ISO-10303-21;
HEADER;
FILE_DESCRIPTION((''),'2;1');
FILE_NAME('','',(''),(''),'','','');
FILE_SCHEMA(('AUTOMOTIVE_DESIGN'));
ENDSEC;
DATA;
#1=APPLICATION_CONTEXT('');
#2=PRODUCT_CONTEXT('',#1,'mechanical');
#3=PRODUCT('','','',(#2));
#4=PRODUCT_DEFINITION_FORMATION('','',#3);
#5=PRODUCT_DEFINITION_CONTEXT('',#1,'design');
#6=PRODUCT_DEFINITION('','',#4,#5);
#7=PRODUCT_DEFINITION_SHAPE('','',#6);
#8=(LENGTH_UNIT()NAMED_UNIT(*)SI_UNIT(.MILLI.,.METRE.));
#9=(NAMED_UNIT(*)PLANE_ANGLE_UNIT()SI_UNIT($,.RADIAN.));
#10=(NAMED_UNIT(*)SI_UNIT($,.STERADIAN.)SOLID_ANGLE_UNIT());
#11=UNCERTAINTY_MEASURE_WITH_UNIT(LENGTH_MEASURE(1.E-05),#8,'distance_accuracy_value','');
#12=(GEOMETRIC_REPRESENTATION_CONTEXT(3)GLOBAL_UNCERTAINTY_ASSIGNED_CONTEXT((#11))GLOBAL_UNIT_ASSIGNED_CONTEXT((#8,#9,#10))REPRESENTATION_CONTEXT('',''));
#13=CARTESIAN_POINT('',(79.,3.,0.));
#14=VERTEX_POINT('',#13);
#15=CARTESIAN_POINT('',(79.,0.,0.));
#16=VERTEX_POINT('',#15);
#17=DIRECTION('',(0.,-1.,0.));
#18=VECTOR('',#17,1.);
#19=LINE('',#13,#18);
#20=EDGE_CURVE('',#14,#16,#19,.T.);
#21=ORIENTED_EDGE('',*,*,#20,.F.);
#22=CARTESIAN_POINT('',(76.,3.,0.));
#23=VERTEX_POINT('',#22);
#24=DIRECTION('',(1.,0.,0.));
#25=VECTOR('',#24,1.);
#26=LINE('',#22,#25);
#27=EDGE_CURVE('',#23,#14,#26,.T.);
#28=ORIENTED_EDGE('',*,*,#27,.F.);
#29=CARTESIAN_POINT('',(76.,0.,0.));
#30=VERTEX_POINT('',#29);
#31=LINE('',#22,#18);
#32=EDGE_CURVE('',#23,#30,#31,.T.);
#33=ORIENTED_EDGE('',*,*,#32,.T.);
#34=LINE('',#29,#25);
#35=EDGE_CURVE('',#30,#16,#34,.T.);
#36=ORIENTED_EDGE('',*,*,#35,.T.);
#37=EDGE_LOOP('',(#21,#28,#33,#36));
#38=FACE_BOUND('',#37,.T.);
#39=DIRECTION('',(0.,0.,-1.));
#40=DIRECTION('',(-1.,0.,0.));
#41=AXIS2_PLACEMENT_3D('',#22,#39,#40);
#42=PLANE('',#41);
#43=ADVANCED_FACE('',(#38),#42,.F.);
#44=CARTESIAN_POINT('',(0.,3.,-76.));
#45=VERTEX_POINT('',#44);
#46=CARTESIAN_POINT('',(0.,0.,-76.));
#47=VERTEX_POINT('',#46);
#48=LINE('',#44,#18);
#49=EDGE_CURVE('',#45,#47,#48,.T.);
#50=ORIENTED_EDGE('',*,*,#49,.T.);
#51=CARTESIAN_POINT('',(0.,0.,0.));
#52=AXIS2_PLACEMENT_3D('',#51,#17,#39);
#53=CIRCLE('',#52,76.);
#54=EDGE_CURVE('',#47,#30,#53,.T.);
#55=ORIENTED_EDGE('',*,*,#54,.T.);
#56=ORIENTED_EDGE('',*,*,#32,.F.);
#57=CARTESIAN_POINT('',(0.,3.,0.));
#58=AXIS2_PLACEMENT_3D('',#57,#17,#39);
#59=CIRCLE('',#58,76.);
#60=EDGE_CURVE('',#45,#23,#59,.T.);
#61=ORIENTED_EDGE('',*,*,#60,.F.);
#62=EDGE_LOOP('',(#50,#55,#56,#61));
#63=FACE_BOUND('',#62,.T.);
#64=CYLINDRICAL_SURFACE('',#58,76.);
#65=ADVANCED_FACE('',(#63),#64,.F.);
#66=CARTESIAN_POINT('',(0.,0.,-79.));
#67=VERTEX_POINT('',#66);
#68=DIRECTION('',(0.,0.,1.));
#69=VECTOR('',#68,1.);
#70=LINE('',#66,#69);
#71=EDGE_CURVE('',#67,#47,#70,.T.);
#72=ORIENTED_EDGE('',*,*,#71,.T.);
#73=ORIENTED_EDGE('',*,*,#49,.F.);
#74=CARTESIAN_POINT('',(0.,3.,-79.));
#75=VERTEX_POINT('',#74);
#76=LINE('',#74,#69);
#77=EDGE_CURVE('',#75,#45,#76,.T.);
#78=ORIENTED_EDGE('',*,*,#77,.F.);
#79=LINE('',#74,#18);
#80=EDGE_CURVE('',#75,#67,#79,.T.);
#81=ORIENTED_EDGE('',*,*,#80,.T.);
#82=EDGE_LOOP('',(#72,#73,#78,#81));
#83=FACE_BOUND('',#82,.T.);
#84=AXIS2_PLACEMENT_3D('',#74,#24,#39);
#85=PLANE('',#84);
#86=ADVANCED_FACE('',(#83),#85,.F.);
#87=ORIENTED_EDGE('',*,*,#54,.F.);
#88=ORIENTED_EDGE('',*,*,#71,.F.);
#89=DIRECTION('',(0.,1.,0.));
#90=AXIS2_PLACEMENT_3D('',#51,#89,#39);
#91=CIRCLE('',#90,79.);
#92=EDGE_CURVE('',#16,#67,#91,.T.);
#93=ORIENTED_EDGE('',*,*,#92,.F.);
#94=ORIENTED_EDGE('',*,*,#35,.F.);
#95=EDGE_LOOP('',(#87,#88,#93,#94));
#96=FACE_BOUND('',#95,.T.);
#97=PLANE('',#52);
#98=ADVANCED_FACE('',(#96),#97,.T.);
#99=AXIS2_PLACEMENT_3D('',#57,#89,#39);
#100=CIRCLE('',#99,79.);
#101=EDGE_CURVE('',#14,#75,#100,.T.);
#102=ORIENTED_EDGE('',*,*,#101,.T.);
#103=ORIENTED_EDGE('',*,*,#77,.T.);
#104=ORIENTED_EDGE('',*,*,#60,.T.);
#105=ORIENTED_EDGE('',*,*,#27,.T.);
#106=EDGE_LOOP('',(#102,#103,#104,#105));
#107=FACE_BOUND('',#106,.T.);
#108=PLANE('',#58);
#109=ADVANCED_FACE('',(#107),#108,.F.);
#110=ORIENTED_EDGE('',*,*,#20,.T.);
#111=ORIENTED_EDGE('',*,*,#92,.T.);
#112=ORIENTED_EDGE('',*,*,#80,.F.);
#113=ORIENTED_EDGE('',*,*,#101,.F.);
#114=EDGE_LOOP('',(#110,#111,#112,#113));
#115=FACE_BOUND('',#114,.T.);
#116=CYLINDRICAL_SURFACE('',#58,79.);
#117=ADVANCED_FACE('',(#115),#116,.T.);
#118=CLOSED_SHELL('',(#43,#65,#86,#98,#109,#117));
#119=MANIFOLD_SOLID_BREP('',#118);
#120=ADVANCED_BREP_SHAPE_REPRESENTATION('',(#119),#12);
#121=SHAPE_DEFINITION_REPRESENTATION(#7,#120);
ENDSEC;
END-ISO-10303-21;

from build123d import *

# Parameters (mm, degrees)
BOSS_EXTRUDE1_DEPTH = 3


with BuildPart() as part:
    # Sketch1 → Boss-Extrude1 (new body)
    with BuildSketch(Plane(origin=(0, 0, 0), x_dir=(1, 0, 0), z_dir=(0, 1, 0))):
        with BuildLine():
            Line((0, 79), (0, 76))
            ThreePointArc((0, 76), (53.74011537, 53.74011537), (76, 0))
            Line((76, 0), (79, 0))
            ThreePointArc((79, 0), (55.861435714, 55.861435714), (0, 79))
        make_face()
    extrude(amount=BOSS_EXTRUDE1_DEPTH)


solid = part.part
